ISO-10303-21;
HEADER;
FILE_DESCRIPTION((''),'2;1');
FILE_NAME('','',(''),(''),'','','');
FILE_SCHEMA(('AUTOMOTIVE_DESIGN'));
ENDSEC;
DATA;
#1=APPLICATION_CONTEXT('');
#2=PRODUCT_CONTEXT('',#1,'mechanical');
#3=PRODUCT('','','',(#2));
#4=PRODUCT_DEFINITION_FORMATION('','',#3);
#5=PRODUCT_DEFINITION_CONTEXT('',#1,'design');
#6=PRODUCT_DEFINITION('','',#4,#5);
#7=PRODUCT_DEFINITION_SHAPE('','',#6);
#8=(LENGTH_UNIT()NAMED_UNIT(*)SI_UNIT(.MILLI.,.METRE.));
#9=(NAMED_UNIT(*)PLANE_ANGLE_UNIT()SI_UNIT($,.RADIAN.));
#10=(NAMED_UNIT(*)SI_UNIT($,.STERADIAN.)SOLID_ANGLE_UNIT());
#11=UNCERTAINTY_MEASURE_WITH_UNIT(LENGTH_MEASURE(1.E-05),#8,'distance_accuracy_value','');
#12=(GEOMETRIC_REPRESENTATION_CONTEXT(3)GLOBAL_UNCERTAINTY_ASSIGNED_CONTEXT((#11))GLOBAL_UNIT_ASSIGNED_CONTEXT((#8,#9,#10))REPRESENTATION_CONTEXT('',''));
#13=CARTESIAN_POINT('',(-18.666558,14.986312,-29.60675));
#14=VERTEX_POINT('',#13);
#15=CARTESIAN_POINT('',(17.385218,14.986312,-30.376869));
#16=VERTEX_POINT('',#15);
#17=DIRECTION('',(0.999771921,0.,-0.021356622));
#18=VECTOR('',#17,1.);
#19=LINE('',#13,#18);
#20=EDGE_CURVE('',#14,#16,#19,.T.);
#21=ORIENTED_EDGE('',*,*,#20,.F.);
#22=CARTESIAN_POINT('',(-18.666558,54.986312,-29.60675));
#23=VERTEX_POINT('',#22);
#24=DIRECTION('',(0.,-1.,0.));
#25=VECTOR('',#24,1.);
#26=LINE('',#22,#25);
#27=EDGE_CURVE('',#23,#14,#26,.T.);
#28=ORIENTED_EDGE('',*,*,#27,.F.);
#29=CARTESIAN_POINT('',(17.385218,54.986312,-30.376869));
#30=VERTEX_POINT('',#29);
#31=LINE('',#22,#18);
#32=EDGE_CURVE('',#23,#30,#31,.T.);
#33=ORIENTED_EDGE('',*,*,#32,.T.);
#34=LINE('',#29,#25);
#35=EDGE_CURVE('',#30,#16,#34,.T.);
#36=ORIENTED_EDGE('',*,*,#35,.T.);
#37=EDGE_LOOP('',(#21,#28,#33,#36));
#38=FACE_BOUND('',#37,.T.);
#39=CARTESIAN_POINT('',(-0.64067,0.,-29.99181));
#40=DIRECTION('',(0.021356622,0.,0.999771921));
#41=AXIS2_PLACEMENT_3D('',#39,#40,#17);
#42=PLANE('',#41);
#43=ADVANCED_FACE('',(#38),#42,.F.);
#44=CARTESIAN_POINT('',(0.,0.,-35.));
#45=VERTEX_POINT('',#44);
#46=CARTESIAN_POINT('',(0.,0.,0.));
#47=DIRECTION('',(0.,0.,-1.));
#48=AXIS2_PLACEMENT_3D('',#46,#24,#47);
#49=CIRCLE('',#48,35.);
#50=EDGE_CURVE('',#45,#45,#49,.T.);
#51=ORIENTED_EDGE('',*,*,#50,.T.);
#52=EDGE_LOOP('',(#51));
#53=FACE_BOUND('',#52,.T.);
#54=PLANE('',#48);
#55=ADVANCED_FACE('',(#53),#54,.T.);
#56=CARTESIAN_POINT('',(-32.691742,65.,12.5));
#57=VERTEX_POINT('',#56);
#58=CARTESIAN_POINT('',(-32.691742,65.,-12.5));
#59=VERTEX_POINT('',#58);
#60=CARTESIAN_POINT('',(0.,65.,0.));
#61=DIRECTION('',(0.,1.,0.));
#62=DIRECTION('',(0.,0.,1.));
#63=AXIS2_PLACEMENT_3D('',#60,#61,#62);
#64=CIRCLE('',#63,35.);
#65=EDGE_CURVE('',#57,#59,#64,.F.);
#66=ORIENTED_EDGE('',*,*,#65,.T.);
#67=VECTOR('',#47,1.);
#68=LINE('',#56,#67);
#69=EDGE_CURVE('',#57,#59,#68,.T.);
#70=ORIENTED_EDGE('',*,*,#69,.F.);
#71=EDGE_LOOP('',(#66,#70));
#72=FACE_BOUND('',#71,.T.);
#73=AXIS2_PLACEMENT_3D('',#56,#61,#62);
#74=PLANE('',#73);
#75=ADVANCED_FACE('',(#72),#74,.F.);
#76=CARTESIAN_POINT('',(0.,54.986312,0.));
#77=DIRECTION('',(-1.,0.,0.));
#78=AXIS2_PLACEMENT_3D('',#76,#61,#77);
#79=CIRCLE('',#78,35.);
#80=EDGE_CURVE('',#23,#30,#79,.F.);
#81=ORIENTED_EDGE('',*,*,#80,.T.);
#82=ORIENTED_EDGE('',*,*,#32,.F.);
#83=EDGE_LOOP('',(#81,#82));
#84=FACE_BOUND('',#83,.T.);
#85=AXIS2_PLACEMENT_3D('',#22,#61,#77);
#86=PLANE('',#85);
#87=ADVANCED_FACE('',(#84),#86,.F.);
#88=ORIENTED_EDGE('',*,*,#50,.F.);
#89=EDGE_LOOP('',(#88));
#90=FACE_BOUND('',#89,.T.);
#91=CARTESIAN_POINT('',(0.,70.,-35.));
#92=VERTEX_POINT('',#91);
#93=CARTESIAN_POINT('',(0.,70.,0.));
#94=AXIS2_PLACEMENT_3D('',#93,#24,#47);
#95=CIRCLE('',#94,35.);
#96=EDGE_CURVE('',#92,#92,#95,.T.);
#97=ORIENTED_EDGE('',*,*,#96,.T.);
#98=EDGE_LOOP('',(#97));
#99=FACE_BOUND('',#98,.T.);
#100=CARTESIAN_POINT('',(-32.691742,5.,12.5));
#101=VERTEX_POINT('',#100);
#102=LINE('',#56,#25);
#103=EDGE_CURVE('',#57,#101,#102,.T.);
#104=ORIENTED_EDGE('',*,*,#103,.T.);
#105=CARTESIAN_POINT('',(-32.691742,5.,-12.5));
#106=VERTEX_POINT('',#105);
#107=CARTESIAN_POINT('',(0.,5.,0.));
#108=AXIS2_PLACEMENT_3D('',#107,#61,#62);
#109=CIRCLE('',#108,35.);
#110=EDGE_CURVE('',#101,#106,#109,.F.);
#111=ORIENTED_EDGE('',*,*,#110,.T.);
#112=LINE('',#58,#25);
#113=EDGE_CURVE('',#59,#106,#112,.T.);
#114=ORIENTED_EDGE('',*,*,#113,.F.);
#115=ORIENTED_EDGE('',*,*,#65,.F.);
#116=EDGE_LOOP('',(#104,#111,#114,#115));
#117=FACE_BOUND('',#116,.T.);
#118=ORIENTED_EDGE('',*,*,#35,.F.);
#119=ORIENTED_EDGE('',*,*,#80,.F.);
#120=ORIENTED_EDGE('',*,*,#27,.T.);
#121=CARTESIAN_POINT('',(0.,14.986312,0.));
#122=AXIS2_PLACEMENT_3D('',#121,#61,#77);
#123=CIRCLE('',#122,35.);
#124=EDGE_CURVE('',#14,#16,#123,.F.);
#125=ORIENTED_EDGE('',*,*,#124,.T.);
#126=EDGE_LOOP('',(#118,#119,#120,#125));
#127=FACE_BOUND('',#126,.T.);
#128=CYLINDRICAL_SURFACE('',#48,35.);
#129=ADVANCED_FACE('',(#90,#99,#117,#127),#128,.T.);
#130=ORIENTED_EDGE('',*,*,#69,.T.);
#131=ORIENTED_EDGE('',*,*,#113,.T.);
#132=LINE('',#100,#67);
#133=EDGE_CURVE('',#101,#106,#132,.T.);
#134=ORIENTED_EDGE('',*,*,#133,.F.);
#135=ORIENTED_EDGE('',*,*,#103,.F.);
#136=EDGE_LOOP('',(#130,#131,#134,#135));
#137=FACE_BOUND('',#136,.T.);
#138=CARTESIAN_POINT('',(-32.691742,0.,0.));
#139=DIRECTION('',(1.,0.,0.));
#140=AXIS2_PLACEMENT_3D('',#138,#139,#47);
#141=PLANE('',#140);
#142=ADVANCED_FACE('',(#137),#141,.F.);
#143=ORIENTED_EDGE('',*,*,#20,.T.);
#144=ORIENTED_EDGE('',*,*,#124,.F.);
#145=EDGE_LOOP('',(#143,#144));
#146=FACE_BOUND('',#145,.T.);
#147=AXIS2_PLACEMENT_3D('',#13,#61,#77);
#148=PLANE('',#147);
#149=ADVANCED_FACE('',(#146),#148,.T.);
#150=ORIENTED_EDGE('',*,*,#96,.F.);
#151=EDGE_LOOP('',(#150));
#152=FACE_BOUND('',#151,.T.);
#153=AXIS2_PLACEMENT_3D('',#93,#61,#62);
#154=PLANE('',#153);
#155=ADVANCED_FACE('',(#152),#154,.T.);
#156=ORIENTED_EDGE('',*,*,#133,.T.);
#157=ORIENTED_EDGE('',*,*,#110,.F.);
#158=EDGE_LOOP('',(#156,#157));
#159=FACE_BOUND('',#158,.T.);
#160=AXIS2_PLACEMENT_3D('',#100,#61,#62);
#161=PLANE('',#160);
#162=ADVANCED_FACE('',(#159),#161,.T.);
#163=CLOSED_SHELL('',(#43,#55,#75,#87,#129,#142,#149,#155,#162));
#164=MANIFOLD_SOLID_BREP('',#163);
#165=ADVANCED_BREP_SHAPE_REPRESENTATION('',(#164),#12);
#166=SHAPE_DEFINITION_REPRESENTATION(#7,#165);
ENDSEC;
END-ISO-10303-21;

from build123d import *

# Parameters (mm, degrees)
SKETCH1_W           = 35
SKETCH1_H           = 70
CUT_EXTRUDE17_DEPTH = 2.5
CUT_EXTRUDE25_DEPTH = 116


with BuildPart() as part:
    # Sketch1 → Revolve1 (revolve)
    with BuildSketch(Plane.XY, mode=Mode.PRIVATE) as revolve1_sk:
        with Locations((17.5, 35)):
            Rectangle(SKETCH1_W, SKETCH1_H)
    revolve(revolve1_sk.sketch.rotate(Axis((0, 0, 0), (0, 1, 0)), 90), axis=Axis((0, 0, 0), (0, 1, 0)))

    # 3DSketch2 → Cut-Extrude17 (cut)
    with BuildSketch(Plane(origin=(-32.691742077, 65, 12.5), x_dir=(0, -0.923076923076923, -0.38461538461538475), z_dir=(1, 0, 0))):
        Polygon((0, 0), (9.615384615, 23.076923077), (65, 0), (55.384615385, -23.076923077), align=None)
    extrude(amount=-CUT_EXTRUDE17_DEPTH, mode=Mode.SUBTRACT)

    # 3DSketch3 → Cut-Extrude25 (cut, along a direction that is not the sketch's normal)
    with BuildSketch(Plane(origin=(-18.666557597, 54.986311826, -29.606749695), x_dir=(0.6694273156469549, -0.7427399140993083, -0.014299967463753989), z_dir=(0.021356621715658074, -1.1658435530169433e-15, 0.9997719213445107))):
        Polygon((0, 0), (24.145055974, 26.783201302), (53.854652538, 0), (29.709596564, -26.783201302), align=None)
    extrude(amount=-CUT_EXTRUDE25_DEPTH, dir=(0, 0, 1), mode=Mode.SUBTRACT)


solid = part.part
